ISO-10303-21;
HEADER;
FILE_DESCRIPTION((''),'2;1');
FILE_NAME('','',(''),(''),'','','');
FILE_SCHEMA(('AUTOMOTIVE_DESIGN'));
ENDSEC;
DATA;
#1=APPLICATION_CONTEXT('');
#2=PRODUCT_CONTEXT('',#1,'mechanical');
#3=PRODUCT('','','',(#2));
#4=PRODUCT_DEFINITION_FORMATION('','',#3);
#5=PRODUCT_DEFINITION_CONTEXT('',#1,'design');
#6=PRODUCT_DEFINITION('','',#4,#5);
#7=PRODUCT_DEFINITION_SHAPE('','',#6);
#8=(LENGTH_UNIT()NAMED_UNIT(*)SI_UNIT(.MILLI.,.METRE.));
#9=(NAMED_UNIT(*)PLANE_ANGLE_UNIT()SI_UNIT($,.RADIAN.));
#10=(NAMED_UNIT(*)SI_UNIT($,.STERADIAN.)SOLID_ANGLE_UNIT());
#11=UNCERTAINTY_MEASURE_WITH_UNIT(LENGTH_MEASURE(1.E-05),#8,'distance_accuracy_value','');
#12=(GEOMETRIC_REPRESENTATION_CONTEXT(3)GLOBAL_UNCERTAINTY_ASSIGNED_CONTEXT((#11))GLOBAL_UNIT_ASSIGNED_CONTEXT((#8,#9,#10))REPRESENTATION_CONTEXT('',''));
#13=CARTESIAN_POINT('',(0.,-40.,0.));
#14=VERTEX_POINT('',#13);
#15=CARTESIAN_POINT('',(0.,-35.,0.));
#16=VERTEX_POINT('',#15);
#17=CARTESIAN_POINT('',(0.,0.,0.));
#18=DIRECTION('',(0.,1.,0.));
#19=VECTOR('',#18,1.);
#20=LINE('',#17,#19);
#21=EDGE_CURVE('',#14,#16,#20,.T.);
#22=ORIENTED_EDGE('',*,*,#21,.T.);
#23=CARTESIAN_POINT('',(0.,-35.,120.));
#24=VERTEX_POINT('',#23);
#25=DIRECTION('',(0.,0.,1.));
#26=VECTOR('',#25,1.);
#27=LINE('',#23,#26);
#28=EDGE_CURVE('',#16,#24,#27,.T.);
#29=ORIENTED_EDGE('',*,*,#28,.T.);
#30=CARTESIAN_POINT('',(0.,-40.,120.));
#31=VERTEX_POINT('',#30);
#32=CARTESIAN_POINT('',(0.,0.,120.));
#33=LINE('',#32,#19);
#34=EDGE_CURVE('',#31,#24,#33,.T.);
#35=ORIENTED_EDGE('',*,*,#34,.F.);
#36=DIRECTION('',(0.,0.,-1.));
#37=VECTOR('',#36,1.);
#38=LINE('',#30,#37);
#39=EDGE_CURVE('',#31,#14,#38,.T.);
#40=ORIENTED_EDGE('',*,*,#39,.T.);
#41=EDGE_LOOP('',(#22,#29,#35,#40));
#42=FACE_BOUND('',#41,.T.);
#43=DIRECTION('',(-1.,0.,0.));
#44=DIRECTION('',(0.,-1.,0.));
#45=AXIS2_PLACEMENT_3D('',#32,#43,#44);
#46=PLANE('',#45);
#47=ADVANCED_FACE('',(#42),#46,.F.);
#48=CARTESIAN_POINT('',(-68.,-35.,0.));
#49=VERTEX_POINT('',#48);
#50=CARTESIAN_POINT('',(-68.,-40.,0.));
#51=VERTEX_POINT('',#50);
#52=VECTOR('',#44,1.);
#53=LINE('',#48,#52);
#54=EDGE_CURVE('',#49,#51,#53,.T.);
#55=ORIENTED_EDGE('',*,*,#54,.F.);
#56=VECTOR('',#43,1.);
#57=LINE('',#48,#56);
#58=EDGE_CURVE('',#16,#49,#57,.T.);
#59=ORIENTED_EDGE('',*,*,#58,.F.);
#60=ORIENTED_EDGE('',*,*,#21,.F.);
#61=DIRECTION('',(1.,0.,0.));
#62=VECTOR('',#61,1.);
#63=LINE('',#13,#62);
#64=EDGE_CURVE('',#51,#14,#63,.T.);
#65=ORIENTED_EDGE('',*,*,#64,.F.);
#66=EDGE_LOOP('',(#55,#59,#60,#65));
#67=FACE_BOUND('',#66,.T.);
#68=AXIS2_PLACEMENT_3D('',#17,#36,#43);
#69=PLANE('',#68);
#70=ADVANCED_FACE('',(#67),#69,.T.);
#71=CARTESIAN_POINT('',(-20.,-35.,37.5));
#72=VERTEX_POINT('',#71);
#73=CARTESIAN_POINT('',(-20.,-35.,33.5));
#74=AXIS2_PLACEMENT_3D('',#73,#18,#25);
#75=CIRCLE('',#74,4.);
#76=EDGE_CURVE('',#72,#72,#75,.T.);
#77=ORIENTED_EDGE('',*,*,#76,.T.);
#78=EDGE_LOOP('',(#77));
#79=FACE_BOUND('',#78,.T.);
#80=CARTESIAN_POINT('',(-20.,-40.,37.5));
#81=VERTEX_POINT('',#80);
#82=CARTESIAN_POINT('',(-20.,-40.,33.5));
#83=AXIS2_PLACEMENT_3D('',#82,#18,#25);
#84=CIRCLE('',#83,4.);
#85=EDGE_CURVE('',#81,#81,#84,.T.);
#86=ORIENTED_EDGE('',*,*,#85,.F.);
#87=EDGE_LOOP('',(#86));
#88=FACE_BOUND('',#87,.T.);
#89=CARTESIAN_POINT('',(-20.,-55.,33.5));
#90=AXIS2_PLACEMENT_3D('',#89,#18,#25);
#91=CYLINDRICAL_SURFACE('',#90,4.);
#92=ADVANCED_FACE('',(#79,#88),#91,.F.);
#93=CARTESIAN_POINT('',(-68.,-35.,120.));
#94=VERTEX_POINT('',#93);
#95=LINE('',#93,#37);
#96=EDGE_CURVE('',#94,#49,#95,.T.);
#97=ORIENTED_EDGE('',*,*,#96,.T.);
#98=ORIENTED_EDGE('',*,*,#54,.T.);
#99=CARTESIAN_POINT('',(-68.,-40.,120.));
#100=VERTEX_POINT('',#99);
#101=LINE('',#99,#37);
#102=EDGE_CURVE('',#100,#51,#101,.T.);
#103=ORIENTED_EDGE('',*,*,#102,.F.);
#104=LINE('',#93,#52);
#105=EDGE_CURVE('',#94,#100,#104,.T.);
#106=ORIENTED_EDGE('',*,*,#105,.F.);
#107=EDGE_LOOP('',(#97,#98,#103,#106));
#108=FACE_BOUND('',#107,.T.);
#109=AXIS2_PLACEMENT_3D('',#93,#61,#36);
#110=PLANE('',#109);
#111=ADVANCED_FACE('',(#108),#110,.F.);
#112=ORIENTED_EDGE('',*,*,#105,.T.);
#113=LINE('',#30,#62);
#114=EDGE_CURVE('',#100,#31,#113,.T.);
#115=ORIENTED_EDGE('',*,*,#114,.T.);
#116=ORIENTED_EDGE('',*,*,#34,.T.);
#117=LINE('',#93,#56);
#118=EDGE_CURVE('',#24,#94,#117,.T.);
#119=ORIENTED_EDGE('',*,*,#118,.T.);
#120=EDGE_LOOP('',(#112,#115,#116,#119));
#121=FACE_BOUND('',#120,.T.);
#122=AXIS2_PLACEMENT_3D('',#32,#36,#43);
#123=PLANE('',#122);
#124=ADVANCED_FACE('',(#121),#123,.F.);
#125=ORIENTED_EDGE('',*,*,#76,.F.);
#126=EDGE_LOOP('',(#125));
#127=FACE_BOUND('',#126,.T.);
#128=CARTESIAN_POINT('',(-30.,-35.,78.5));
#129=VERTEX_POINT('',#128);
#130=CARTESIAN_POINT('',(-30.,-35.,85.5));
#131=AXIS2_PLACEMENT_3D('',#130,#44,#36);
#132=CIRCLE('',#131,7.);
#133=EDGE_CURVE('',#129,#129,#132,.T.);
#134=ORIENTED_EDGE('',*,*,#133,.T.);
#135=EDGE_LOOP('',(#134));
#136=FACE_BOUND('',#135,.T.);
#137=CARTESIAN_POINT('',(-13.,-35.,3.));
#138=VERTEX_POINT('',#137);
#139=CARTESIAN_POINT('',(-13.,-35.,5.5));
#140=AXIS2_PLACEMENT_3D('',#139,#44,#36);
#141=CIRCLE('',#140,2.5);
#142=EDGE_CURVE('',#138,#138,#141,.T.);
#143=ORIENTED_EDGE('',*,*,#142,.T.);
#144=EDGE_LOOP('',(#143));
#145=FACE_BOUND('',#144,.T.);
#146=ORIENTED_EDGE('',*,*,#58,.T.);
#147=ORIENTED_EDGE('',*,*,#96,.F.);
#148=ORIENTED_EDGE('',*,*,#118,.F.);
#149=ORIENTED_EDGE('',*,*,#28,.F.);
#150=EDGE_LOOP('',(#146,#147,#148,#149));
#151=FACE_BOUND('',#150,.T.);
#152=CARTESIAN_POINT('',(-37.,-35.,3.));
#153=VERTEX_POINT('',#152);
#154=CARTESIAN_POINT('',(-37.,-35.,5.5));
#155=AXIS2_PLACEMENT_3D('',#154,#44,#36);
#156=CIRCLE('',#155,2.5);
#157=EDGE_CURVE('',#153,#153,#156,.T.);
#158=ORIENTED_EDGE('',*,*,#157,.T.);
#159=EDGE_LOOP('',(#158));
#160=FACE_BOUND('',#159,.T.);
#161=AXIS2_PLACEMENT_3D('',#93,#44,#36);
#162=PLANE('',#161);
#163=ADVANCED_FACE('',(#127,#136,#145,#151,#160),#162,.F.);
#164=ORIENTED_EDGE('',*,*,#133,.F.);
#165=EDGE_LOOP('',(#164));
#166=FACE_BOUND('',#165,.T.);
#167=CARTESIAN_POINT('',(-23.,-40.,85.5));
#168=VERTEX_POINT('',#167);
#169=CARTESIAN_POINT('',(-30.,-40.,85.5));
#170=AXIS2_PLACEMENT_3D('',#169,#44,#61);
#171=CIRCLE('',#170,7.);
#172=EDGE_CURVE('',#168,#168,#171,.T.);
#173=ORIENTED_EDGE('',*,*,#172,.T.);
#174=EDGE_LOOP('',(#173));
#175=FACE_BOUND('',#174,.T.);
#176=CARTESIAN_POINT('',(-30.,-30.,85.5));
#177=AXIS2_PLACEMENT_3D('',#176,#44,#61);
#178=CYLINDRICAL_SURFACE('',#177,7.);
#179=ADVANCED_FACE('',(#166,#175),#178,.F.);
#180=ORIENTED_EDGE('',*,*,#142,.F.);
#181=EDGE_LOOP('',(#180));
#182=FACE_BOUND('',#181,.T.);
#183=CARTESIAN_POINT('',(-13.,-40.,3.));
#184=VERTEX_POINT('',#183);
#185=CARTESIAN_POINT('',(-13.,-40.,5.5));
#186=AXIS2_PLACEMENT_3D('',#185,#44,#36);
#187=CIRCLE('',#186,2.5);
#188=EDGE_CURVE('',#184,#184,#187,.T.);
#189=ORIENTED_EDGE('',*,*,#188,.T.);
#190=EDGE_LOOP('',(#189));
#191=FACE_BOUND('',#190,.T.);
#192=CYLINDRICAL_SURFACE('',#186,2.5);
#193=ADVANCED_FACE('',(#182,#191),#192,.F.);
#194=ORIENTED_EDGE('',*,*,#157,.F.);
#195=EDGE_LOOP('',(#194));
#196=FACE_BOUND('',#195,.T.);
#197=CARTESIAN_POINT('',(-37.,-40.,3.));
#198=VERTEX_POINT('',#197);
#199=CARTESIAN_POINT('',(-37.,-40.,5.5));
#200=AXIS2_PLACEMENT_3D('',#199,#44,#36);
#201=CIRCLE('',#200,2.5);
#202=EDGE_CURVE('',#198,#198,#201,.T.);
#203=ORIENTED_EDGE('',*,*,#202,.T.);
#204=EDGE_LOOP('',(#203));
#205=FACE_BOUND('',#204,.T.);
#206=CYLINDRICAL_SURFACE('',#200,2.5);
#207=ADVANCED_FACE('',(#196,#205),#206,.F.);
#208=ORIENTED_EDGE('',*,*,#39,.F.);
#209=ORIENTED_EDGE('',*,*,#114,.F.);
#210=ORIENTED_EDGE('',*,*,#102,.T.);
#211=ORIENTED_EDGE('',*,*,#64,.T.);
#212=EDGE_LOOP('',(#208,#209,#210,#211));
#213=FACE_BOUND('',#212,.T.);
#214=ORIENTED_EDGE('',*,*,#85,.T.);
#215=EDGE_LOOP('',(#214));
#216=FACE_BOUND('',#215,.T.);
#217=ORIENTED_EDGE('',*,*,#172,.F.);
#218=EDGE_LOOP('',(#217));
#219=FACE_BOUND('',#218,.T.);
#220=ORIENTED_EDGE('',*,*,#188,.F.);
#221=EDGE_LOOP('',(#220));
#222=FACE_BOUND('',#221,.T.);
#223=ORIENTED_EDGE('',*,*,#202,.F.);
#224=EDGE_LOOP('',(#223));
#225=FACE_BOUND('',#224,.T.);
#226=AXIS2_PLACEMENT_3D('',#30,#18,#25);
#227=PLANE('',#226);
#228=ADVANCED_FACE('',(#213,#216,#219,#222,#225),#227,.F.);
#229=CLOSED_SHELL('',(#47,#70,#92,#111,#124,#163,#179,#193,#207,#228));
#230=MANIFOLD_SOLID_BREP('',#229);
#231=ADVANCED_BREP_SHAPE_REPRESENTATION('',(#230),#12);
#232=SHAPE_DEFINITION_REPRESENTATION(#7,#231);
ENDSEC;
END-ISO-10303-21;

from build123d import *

# Parameters (mm, degrees)
BOSS_EXTRU_1_DEPTH      = 120
ESQUISSE2_W             = 45
ESQUISSE2_H             = 35
ENL_V_MAT_EXTRU_1_DEPTH = 10
ESQUISSE3_R             = 7
ENL_V_MAT_EXTRU_2_DEPTH = 10
ESQUISSE4_R             = 3
ENL_V_MAT_EXTRU_3_DEPTH = 142.311712183
TROU_TARAUD_M61_D       = 5
TROU_TARAUD_M61_DEPTH   = 15
TROU_TARAUD_M61_TIP     = 1.502151548
ESQUISSE7_W             = 30
ESQUISSE7_H             = 35
ENL_V_MAT_EXTRU_4_DEPTH = 10
ESQUISSE8_R             = 4
ENL_V_MAT_EXTRU_5_DEPTH = 20


with BuildPart() as part:
    # Esquisse1 → Boss.-Extru.1 (new body)
    with BuildSketch(Plane.XY):
        Polygon((0, 0), (0, -40), (-68, -40), (-68, -35), (-5, -35), (-5, 0), align=None)
    extrude(amount=BOSS_EXTRU_1_DEPTH)

    # Esquisse2 → Enlèv. mat.-Extru.1 (cut)
    with BuildSketch(Plane.ZY.offset(5)):
        with Locations((22.5, -17.5)):
            Rectangle(ESQUISSE2_W, ESQUISSE2_H)
        with Locations((97.5, -17.5)):
            Rectangle(ESQUISSE2_W, ESQUISSE2_H)
    extrude(amount=-ENL_V_MAT_EXTRU_1_DEPTH, mode=Mode.SUBTRACT)

    # Esquisse3 → Enlèv. mat.-Extru.2 (cut)
    with BuildSketch(Plane.XZ.offset(40)):
        with Locations((-30, 85.5)):
            Circle(ESQUISSE3_R)
    extrude(amount=-ENL_V_MAT_EXTRU_2_DEPTH, mode=Mode.SUBTRACT)

    # Esquisse4 → Enlèv. mat.-Extru.3 (cut, through all)
    with BuildSketch(Plane.ZY.offset(5)):
        with Locations((50, -5)):
            Circle(ESQUISSE4_R)
        with Locations((50, -25)):
            Circle(ESQUISSE4_R)
    extrude(amount=-ENL_V_MAT_EXTRU_3_DEPTH, mode=Mode.SUBTRACT)

    # Trou taraudé M61
    with Locations(Plane(origin=(-37, -40, 5.5), x_dir=(0, 0, -1), z_dir=(0, -1, 0))):
        with Locations((0, 0), (0, 24)):
            Hole(TROU_TARAUD_M61_D / 2, depth=TROU_TARAUD_M61_DEPTH)
            with Locations((0, 0, -(TROU_TARAUD_M61_DEPTH + TROU_TARAUD_M61_TIP / 2))):  # 118° drill point
                Cone(0, TROU_TARAUD_M61_D / 2, TROU_TARAUD_M61_TIP, mode=Mode.SUBTRACT)

    # Esquisse7 → Enlèv. mat.-Extru.4 (cut)
    with BuildSketch(Plane.ZY.offset(5)):
        with Locations((60, -17.5)):
            Rectangle(ESQUISSE7_W, ESQUISSE7_H)
    extrude(amount=-ENL_V_MAT_EXTRU_4_DEPTH, mode=Mode.SUBTRACT)

    # Esquisse8 → Enlèv. mat.-Extru.5 (cut)
    with BuildSketch(Plane(origin=(0, -35, 0), x_dir=(1, 0, 0), z_dir=(0, 1, 0))):
        with Locations(Location((-20, -33.5, 0), (0, 0, 270))):
            Circle(ESQUISSE8_R)
    extrude(amount=-ENL_V_MAT_EXTRU_5_DEPTH, mode=Mode.SUBTRACT)


solid = part.part
